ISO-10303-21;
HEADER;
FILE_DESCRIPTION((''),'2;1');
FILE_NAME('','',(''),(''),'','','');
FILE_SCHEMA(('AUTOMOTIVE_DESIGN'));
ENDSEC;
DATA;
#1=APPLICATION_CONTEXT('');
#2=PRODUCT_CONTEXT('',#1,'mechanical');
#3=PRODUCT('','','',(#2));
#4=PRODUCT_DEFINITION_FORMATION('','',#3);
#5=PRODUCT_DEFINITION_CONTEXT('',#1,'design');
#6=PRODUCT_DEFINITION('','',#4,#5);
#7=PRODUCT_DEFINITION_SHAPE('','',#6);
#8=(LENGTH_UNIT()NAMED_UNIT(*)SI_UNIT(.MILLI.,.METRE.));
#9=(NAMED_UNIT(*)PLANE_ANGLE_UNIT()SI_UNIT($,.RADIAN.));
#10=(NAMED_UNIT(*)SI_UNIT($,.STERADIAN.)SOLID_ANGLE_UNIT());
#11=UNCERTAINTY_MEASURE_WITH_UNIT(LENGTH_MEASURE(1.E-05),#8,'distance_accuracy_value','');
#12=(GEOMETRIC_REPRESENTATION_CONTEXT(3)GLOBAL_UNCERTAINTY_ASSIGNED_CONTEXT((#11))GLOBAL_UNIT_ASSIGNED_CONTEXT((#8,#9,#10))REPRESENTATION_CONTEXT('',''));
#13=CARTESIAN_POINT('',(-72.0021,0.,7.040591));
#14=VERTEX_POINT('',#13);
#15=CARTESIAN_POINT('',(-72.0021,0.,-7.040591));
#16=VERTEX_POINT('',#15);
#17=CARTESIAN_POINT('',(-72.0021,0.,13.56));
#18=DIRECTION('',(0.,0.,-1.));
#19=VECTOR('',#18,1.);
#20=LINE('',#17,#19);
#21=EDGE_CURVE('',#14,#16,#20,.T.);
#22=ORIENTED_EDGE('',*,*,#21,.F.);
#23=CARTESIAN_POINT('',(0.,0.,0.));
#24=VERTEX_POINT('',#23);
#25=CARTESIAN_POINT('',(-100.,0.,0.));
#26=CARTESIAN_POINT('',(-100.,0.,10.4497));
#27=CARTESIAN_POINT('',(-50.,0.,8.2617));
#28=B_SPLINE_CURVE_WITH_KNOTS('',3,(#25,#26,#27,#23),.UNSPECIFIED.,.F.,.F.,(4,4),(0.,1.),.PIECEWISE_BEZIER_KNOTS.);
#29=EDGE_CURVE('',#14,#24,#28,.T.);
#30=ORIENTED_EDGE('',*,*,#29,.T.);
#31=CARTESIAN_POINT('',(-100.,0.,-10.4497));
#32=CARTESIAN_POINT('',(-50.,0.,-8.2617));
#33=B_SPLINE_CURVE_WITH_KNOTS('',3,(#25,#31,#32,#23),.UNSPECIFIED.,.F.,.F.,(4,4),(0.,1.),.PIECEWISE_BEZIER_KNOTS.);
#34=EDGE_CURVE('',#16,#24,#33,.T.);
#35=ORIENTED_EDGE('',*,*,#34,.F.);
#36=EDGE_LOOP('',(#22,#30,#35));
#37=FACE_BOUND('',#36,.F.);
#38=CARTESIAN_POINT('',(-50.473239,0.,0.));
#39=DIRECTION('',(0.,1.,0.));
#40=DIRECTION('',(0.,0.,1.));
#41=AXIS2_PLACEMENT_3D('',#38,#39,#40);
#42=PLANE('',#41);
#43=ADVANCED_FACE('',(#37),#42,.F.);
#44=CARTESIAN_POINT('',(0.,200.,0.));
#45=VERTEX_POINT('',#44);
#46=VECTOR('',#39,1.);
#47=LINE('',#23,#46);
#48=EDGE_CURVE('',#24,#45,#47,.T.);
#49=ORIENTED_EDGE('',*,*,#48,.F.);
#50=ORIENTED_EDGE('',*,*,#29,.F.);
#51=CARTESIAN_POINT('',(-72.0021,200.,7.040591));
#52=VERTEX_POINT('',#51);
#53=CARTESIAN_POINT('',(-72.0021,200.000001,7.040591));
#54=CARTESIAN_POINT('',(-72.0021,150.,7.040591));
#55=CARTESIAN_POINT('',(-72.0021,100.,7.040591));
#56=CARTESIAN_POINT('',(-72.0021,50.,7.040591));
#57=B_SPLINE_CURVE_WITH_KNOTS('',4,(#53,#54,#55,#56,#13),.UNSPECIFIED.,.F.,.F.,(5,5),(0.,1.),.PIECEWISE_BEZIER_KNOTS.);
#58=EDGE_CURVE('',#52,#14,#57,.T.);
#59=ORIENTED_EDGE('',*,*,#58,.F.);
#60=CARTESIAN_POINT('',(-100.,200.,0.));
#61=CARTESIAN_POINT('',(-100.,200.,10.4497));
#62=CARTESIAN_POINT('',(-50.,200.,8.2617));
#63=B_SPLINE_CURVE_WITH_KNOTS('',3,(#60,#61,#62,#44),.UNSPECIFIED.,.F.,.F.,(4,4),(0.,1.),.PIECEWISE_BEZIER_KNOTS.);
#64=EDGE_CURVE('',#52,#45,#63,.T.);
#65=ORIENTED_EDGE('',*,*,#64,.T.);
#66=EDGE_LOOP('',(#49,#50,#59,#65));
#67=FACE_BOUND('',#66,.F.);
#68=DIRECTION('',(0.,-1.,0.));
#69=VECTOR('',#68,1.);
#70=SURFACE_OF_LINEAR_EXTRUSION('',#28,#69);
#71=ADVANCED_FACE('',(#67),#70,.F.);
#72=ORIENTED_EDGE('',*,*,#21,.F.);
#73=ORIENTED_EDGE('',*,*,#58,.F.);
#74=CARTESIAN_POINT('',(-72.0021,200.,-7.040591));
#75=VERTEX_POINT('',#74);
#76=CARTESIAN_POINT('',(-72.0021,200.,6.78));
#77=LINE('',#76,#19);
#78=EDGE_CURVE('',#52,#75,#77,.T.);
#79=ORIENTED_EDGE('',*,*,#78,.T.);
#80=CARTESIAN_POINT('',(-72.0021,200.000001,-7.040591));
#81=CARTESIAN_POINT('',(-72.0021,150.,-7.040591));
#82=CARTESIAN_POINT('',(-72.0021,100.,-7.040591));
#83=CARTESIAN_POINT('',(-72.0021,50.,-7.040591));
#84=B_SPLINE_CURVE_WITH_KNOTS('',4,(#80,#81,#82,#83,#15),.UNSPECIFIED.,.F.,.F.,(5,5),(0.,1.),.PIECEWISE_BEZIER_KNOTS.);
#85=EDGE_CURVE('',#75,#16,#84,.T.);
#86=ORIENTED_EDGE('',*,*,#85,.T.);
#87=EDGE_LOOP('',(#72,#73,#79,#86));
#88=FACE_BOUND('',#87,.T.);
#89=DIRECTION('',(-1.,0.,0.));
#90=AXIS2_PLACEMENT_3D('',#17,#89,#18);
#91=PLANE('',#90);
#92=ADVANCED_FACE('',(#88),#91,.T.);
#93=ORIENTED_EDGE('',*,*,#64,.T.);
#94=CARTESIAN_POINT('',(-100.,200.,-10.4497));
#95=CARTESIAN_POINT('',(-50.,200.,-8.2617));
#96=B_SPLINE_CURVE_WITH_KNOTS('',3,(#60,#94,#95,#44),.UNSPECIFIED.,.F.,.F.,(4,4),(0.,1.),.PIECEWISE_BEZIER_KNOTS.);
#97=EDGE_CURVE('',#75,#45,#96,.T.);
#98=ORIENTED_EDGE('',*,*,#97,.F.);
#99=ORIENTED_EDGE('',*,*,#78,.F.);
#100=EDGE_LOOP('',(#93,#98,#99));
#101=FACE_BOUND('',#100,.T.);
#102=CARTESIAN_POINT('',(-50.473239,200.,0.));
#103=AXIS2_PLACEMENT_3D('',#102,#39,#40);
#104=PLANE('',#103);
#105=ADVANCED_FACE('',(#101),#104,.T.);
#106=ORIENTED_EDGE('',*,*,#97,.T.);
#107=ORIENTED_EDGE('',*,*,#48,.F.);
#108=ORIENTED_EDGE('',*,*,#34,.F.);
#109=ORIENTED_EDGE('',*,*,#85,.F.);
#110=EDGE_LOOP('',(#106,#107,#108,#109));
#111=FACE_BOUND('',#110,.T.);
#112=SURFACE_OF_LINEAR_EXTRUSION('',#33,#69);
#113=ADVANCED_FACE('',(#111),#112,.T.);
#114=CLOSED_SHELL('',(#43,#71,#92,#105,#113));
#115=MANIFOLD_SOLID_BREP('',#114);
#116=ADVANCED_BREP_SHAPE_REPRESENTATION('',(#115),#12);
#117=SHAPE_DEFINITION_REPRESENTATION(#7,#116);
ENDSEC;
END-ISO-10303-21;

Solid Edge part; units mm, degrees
sketch "Sketch1" plane through (0, 0, 0) normal (0, -1, 0) x (1, 0, 0)
  spline S0 degree 3 poles (-100, 0) (-100, 10.4497) (-50, 8.2617) (0, 0) knots 0 0 0 0 1 1 1 1
  spline S1 degree 3 poles (-100, 0) (-100, -10.4497) (-50, -8.2617) (0, 0) knots 0 0 0 0 1 1 1 1
extrude "Protrusion1" add sketch "Sketch1" against normal blind 200
sketch "Sketch2" plane through (-50, 0, 0) normal (0, -1, 0) x (1, 0, 0)
  line L0 (-22.0021, 13.56) -> (-22.0021, -15.1932)
extrude "Cutout1" cut sketch "Sketch2" against normal up to next material side at (-72.0521, 0, -0.8166)
